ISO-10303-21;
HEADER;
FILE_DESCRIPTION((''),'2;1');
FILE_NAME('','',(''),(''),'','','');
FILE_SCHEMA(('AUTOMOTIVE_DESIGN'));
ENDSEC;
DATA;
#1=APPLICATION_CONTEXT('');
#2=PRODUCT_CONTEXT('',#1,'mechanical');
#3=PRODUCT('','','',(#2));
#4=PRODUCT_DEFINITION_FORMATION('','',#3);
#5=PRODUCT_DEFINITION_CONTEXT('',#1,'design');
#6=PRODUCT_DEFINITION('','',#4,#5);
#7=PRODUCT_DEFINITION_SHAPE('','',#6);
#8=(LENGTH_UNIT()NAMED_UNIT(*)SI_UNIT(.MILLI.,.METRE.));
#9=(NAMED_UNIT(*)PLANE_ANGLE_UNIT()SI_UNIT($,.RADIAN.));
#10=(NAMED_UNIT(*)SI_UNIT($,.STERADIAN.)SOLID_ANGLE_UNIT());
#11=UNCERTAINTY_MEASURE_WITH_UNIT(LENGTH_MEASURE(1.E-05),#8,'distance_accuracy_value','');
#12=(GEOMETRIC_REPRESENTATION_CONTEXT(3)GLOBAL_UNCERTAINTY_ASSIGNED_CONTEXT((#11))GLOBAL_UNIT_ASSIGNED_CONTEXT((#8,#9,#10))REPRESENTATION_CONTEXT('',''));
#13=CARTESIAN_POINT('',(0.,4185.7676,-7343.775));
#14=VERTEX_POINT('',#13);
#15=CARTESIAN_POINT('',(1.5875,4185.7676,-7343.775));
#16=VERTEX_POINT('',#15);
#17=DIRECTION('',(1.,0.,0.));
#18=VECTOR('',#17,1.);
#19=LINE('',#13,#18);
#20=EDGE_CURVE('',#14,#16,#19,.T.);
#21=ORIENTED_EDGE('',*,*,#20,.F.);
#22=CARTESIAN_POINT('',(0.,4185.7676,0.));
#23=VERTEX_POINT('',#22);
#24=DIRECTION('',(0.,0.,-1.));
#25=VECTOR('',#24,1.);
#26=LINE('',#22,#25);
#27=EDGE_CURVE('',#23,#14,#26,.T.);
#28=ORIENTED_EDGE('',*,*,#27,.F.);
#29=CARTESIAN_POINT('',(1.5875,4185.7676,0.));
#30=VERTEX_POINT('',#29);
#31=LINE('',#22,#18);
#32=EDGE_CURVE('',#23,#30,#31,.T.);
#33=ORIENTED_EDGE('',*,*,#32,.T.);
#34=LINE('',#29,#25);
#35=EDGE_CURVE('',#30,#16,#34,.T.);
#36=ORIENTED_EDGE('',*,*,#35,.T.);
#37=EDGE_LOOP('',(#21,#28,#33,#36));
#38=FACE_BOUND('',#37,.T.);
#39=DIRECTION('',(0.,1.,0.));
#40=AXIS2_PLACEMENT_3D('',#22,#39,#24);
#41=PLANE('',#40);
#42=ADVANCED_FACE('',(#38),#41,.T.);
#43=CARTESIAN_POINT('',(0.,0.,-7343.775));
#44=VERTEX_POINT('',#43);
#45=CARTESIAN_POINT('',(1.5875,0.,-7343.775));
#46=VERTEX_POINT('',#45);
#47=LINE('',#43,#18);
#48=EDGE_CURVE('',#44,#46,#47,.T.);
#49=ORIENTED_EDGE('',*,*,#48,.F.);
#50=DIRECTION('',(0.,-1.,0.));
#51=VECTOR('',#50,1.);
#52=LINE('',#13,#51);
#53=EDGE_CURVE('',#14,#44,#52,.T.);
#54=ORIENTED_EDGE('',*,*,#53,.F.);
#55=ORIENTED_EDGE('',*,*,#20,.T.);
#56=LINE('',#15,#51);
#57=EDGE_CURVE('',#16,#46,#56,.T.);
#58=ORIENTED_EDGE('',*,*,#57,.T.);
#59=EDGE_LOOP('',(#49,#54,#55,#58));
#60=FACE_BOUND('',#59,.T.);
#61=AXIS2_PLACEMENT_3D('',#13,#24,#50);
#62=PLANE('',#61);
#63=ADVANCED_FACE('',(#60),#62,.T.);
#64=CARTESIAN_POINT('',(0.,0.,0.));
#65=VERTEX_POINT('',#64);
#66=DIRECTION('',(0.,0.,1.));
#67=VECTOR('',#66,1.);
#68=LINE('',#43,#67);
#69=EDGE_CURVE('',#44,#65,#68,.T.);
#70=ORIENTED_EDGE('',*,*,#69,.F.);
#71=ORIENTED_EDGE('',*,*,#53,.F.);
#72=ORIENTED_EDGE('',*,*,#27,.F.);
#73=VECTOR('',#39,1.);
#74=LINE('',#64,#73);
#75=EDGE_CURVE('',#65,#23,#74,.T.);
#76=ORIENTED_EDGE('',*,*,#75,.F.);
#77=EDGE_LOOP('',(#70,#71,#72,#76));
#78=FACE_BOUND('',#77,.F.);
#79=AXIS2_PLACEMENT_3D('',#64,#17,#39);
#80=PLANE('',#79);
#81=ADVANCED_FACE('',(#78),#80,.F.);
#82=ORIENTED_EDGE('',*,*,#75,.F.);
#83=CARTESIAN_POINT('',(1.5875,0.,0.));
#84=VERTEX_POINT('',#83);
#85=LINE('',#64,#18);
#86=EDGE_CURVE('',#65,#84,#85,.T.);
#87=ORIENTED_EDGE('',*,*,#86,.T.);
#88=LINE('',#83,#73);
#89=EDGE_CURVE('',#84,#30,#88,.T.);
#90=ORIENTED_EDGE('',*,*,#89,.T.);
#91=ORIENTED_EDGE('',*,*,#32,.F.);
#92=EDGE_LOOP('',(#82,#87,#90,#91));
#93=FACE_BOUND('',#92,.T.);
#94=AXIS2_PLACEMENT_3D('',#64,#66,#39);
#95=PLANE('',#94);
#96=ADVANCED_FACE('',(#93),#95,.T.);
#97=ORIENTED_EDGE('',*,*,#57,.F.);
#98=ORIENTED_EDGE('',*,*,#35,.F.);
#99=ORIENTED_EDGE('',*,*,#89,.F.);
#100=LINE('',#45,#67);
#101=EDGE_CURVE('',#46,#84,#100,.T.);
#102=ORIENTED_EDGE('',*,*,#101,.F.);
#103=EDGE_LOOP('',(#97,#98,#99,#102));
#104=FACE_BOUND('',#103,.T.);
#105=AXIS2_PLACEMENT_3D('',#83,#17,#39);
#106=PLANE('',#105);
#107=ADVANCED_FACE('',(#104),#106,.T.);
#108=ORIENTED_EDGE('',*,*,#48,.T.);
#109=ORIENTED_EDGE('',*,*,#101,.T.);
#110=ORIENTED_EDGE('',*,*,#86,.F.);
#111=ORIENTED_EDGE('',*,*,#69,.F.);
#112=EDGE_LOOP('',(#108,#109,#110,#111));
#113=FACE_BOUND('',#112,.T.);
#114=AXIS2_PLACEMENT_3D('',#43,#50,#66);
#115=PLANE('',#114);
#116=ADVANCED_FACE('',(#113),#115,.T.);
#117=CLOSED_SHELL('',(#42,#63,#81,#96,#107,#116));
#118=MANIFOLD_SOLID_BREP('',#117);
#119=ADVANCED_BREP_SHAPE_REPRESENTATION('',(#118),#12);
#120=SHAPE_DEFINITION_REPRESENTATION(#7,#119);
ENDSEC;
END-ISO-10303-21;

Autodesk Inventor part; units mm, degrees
ref_plane "YZ Plane" through (0, 0, 0) normal (1, 0, 0) x (0, 1, 0)
ref_plane "XZ Plane" through (0, 0, 0) normal (0, 1, 0) x (-1, 0, 0)
ref_plane "XY Plane" through (0, 0, 0) normal (0, 0, 1) x (1, 0, 0)
sketch "Sketch1" plane through (0, 0, 0) normal (1, 0, 0) x (0, 1, 0)
  line L0 (0, 0) -> (4185.7676, 0)
  line L1 (4185.7676, 0) -> (4185.7676, -7343.775)
  line L2 (4185.7676, -7343.775) -> (0, -7343.775)
  line L3 (0, -7343.775) -> (0, 0)
  dimension "d4" = 7343.775
  dimension "d5" = 4185.7676
extrude "Extrusion1" add sketch "Sketch1" along normal blind 1.5875
properties part number "Underlayment_For_Front"
